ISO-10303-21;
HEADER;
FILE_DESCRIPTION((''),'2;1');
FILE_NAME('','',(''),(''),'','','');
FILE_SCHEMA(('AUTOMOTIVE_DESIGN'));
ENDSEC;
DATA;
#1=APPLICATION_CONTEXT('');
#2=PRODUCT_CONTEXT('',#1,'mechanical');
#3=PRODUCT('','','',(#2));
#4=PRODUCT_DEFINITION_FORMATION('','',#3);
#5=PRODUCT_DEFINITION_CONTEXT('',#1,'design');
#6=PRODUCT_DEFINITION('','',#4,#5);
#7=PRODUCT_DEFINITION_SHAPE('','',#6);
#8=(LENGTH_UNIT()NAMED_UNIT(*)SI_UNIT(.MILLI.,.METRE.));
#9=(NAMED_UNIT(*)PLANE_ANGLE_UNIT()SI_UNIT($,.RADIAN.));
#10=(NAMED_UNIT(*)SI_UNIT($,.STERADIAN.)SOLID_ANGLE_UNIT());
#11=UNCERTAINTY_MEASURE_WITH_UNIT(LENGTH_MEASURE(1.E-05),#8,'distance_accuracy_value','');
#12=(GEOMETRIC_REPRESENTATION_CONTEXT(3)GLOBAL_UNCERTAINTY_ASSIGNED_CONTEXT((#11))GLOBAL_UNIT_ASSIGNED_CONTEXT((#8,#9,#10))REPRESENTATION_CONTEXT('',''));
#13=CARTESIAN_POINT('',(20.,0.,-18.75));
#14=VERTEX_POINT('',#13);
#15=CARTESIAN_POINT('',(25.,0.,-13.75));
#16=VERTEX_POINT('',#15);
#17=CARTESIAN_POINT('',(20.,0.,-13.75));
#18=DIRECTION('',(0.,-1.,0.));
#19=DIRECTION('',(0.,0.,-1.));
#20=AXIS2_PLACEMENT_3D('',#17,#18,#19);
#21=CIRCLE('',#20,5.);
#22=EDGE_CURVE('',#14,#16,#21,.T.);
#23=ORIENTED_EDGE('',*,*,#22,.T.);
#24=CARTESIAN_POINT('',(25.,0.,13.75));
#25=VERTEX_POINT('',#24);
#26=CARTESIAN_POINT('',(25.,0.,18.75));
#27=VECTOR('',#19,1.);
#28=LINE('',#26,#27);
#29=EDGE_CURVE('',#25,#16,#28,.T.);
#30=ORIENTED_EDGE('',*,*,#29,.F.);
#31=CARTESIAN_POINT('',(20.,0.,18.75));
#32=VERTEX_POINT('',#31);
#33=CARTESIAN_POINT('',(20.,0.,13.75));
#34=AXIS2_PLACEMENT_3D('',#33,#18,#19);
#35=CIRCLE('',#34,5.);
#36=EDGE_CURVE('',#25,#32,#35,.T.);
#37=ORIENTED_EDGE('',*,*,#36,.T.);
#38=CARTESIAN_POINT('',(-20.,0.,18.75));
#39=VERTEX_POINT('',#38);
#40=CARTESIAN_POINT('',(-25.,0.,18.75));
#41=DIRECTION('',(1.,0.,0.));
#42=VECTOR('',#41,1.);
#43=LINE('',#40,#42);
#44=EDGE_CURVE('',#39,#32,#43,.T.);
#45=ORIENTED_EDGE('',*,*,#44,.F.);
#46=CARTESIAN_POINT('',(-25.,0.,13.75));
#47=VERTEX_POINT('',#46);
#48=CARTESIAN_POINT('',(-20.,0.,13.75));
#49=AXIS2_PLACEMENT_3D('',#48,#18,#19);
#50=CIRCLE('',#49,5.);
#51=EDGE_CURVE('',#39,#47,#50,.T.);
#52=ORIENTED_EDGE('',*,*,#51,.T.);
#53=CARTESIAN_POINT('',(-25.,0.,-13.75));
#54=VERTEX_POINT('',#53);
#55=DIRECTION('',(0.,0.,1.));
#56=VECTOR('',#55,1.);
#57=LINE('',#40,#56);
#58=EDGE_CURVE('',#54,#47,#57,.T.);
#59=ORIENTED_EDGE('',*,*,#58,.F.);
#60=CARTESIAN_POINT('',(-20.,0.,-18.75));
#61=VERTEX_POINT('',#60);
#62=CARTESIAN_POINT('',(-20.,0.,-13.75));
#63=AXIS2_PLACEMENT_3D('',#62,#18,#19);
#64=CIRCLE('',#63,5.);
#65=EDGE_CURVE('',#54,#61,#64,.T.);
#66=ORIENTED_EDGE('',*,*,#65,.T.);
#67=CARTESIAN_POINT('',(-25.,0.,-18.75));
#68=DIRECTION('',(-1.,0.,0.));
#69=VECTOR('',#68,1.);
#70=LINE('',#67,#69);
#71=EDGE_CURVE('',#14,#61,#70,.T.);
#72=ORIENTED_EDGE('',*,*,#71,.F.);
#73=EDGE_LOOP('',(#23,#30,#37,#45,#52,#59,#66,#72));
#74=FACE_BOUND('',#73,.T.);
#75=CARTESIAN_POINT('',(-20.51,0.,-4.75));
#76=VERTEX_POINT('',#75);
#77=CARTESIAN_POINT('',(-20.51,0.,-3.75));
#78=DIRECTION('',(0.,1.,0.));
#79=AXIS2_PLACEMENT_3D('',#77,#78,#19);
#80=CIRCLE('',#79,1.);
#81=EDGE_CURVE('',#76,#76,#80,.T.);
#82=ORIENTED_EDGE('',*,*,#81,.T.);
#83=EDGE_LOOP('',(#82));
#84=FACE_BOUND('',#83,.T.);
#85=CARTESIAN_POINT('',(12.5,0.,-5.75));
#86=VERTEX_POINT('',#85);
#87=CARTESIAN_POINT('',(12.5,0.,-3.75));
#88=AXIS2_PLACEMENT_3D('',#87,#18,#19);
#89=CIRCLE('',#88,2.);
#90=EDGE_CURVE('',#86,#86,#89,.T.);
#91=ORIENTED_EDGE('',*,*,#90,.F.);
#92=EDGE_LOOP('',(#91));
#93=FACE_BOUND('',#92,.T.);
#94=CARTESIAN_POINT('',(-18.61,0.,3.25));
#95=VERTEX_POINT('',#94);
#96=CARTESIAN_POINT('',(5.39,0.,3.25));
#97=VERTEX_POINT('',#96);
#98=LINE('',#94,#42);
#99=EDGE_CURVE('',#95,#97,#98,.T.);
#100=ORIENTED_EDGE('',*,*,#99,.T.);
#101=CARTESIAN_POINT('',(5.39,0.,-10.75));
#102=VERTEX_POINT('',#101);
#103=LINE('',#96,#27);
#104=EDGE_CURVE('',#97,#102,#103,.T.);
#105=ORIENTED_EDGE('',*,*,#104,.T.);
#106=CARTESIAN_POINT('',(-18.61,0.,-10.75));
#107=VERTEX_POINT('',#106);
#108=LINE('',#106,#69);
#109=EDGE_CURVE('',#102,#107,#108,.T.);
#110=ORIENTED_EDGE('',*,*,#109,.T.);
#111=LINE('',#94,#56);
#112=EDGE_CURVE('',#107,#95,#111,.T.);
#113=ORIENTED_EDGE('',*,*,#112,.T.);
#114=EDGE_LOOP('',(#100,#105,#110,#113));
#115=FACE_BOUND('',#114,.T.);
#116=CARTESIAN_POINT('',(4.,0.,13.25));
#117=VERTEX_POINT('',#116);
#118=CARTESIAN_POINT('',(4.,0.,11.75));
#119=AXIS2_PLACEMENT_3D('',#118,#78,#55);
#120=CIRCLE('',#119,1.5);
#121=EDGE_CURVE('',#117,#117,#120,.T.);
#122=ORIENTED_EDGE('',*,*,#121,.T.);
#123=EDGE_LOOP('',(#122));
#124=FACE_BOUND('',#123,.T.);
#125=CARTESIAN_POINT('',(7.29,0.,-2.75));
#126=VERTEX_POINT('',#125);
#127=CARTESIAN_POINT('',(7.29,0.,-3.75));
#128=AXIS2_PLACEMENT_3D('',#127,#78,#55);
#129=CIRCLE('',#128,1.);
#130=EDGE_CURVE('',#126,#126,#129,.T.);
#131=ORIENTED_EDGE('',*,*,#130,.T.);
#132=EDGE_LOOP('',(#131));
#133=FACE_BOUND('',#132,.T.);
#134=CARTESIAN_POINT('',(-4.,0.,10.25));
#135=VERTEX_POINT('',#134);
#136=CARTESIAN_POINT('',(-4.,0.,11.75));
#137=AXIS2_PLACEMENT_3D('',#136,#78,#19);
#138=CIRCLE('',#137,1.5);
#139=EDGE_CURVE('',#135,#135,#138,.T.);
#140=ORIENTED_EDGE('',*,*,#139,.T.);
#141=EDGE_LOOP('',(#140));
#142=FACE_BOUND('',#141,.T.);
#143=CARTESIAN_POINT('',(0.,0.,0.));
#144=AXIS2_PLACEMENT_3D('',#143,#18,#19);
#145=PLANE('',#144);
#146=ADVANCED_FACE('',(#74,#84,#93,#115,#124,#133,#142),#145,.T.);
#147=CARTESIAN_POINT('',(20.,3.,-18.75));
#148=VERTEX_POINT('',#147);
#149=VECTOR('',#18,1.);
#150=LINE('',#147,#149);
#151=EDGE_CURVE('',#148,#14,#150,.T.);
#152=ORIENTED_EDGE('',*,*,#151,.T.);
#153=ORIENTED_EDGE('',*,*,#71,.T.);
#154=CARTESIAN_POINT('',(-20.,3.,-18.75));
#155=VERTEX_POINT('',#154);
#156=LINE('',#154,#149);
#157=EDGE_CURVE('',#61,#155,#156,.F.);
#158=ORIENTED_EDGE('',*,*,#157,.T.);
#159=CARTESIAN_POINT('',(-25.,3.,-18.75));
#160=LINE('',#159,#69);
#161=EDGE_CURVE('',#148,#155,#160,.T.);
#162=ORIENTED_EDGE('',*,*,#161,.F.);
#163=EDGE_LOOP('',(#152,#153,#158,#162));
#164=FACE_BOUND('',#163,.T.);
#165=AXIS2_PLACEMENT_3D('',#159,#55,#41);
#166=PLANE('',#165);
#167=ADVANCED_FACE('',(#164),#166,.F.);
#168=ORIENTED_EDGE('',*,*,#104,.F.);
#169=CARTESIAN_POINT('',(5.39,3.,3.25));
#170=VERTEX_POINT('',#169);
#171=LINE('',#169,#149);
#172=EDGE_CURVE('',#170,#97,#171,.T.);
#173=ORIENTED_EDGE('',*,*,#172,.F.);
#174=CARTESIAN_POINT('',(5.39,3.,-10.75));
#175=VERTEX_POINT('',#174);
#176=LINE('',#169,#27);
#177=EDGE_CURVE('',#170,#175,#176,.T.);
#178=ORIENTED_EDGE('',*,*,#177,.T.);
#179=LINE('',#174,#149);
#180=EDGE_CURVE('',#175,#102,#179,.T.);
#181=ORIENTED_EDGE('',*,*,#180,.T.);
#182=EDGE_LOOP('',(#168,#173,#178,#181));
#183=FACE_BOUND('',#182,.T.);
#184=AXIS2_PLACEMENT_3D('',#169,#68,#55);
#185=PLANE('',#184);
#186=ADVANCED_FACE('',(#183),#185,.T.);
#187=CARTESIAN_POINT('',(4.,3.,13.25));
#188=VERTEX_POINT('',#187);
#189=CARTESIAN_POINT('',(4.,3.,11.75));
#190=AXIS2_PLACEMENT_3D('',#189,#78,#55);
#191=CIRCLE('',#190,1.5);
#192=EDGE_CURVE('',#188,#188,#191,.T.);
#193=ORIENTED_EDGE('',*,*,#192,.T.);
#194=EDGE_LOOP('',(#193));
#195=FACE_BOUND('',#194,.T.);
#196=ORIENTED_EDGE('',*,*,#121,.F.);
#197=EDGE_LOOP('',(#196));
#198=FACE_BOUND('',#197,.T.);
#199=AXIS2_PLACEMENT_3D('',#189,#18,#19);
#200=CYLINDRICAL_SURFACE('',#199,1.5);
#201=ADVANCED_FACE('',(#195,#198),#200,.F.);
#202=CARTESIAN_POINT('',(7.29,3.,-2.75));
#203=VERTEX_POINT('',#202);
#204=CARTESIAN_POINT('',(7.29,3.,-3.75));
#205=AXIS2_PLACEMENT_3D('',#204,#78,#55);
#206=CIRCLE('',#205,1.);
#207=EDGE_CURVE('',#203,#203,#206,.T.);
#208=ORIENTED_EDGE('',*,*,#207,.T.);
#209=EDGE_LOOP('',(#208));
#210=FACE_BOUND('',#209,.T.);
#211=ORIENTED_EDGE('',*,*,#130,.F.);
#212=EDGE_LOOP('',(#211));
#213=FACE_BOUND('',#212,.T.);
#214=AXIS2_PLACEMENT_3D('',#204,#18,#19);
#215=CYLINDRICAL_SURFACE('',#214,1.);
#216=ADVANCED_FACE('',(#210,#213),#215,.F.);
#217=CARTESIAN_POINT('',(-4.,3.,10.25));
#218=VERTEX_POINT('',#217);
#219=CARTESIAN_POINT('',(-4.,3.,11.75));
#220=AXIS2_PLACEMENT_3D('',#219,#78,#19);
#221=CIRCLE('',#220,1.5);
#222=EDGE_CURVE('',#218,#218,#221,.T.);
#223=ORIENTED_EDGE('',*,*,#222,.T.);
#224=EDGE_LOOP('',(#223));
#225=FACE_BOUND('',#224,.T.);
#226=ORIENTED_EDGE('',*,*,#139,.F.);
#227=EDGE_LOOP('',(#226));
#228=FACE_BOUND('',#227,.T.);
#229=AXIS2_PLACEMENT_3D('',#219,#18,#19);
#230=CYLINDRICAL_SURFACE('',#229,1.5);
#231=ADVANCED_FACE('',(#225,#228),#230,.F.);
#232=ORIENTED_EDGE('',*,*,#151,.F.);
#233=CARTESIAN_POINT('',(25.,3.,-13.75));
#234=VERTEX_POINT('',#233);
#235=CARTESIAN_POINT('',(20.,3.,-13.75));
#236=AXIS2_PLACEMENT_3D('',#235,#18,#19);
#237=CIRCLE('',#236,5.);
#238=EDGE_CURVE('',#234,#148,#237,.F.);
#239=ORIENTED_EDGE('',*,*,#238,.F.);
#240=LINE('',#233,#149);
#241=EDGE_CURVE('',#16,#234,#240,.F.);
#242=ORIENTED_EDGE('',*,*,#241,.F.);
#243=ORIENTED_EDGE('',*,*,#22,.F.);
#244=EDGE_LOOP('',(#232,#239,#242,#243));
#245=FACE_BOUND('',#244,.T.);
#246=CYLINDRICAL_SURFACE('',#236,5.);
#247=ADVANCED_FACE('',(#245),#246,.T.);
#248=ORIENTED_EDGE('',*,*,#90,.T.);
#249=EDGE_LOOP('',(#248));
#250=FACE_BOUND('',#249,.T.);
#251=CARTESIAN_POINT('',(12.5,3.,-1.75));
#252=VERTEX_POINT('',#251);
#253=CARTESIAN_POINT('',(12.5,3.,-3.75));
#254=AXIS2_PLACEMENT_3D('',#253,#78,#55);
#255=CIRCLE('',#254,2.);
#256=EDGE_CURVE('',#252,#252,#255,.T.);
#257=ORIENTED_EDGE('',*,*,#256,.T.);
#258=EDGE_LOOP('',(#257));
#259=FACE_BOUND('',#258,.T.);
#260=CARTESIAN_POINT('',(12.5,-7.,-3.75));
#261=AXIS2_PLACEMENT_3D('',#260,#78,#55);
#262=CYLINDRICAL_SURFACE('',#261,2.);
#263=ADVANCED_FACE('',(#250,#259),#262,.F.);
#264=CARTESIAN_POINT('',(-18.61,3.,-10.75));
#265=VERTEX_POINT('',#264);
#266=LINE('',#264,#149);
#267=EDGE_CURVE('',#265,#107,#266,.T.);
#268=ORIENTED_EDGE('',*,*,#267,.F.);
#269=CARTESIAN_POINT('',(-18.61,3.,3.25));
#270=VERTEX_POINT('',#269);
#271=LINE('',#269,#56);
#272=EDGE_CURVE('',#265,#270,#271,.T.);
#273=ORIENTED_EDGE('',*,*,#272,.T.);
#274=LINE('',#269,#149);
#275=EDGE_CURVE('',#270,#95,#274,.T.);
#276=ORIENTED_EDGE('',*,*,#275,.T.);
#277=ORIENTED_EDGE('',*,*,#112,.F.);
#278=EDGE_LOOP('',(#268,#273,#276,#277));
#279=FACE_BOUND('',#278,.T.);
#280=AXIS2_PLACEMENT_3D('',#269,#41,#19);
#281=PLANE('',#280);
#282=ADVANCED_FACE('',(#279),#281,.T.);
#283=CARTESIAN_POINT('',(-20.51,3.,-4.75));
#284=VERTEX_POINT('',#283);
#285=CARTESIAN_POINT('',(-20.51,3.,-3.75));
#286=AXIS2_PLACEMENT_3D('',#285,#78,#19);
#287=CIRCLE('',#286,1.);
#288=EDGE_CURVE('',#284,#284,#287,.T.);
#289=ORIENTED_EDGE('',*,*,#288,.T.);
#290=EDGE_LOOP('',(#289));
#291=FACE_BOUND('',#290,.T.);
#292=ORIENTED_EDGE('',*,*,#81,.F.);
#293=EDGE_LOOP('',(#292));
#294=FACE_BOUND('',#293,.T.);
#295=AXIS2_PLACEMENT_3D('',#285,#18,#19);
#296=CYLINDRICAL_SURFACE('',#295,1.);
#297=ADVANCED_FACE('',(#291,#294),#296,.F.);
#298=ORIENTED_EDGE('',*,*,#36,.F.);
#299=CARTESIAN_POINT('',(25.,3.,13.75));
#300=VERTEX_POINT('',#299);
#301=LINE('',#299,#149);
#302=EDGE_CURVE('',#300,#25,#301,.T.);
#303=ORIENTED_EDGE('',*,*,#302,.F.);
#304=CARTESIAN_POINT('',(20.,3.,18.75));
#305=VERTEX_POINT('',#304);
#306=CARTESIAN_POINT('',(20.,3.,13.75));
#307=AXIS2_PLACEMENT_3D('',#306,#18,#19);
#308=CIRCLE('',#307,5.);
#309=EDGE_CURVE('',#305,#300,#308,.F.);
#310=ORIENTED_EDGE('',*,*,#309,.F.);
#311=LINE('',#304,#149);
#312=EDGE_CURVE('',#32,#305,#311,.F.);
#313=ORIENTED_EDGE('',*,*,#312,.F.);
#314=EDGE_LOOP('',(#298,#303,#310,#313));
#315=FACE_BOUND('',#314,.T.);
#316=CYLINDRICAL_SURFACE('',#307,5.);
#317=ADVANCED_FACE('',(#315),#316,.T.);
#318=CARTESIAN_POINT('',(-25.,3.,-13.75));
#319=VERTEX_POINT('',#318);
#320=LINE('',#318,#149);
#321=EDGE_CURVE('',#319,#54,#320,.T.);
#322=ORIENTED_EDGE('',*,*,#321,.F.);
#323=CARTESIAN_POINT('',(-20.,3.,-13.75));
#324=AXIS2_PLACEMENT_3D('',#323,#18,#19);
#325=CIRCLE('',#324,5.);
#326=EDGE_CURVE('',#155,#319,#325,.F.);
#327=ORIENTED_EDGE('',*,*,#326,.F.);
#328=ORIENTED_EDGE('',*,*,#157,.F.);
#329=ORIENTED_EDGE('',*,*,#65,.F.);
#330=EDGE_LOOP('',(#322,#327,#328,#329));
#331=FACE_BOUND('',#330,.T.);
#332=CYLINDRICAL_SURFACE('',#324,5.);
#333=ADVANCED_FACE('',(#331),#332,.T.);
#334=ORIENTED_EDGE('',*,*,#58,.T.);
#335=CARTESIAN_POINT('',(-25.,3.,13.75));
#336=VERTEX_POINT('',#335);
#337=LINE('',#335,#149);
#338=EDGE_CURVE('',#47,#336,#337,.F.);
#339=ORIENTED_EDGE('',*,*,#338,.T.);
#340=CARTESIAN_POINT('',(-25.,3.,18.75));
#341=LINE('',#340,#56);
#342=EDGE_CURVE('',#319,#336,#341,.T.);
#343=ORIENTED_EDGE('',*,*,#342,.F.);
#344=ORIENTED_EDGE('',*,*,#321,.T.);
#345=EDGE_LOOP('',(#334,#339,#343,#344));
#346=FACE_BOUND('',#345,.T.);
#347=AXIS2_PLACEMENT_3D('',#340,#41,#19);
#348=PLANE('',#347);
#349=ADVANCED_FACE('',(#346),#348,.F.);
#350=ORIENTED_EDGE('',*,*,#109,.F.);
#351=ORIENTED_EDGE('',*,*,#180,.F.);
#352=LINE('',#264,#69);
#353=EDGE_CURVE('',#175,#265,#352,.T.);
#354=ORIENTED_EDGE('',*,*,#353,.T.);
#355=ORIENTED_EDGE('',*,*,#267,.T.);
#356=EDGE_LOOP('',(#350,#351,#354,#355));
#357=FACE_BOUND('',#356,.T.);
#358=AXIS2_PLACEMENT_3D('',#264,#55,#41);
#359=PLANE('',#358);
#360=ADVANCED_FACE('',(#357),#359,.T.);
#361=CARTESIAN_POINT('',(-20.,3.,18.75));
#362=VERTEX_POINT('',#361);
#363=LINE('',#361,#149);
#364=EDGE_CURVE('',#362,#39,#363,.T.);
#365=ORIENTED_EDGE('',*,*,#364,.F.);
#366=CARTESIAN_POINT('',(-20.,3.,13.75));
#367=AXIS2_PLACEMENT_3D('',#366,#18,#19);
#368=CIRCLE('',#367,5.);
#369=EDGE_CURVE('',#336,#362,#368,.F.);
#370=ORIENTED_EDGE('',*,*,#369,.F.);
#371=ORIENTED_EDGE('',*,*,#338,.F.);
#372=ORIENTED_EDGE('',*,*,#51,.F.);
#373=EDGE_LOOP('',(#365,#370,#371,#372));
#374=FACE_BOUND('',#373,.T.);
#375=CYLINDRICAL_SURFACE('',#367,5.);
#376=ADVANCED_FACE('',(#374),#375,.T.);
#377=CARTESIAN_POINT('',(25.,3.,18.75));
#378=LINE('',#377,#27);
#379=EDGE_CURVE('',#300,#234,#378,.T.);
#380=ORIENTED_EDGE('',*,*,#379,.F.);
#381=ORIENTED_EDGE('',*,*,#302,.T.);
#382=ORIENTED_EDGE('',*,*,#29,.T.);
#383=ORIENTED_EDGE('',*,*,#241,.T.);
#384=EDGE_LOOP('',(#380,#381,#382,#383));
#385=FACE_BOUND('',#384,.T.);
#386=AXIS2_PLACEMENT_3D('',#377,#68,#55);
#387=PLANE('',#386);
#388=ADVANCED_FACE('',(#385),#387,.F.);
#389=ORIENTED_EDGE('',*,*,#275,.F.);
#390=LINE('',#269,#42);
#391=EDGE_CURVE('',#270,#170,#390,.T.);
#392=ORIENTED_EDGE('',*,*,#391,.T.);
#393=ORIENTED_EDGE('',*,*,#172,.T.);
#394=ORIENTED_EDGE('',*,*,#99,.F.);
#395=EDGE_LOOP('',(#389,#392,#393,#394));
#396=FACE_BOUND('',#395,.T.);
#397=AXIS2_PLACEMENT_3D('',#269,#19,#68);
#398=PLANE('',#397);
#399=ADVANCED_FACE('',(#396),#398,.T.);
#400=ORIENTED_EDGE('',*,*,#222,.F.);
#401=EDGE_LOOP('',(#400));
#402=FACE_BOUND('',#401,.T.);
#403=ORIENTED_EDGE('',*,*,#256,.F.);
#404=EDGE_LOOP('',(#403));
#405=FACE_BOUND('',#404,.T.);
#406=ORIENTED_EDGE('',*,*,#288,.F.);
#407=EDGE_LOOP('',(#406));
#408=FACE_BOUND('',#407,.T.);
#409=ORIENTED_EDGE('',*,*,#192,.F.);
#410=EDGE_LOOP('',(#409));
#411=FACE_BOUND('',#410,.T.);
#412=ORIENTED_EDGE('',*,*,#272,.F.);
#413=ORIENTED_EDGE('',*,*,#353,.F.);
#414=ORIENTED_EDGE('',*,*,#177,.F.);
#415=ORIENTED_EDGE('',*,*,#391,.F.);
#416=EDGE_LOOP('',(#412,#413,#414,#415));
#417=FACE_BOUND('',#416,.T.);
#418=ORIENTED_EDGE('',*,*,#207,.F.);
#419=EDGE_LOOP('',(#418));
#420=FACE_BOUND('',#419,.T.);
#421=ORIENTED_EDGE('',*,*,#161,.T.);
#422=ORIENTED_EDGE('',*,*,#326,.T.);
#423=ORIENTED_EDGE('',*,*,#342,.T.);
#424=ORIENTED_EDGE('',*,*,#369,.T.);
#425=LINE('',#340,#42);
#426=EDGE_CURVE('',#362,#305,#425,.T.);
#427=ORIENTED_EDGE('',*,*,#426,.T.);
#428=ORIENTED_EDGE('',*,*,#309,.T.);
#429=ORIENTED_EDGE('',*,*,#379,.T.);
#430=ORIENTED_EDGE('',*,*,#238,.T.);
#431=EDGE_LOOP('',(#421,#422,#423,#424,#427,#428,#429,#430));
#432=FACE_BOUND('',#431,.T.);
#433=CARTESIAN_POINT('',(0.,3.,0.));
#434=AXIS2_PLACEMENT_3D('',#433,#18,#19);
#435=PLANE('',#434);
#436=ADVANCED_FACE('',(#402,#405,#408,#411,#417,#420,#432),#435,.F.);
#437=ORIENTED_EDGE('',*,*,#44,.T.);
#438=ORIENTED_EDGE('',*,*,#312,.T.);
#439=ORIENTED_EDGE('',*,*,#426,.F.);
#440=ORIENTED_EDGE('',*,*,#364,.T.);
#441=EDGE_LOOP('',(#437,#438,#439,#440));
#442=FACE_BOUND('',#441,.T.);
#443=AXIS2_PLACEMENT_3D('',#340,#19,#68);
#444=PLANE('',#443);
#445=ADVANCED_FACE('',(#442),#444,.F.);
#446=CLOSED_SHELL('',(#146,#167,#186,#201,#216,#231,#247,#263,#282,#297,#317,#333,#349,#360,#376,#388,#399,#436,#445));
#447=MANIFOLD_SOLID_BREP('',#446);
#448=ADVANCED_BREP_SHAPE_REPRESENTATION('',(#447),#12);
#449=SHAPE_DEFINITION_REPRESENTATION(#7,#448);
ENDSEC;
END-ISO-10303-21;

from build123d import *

# Parameters (mm, degrees)
SKETCH_1_W          = 50
SKETCH_1_H          = 37.5
SKETCH_1_R          = 1.5
SKETCH_1_R_2        = 1
SKETCH_1_W_2        = 24
SKETCH_1_H_2        = 14
EXTRUDE_1_DEPTH     = 3
FILLET_1_R          = 5
SKETCH_2_R          = 2
CUT_EXTRUDE_1_DEPTH = 10


with BuildPart() as part:
    # 草图1 → 凸台-拉伸1 (new body)
    with BuildSketch(Plane(origin=(0, 0, 0), x_dir=(1, 0, 0), z_dir=(0, 1, 0))):
        Rectangle(SKETCH_1_W, SKETCH_1_H)
        with Locations(Location((4, -11.75, 0), (0, 0, 270))):
            Circle(SKETCH_1_R, mode=Mode.SUBTRACT)
        with Locations(Location((-4, -11.75, 0), (0, 0, 90))):
            Circle(SKETCH_1_R, mode=Mode.SUBTRACT)
        with Locations(Location((7.29, 3.75, 0), (0, 0, 270))):
            Circle(SKETCH_1_R_2, mode=Mode.SUBTRACT)
        with Locations(Location((-20.51, 3.75, 0), (0, 0, 90))):
            Circle(SKETCH_1_R_2, mode=Mode.SUBTRACT)
        with Locations((-6.61, 3.75)):
            Rectangle(SKETCH_1_W_2, SKETCH_1_H_2, mode=Mode.SUBTRACT)
    extrude(amount=EXTRUDE_1_DEPTH)

    # 圆角1
    fillet_1_edges = [part.edges().sort_by_distance(p)[0] for p in [
        (25, 1.5, 18.75),
        (-25, 1.5, 18.75),
        (-25, 1.5, -18.75),
        (25, 1.5, -18.75),
    ]]
    fillet(fillet_1_edges, radius=FILLET_1_R)

    # 草图2 → 切除-拉伸1 (cut)
    with BuildSketch(Plane(origin=(0, 3, 0), x_dir=(1, 0, 0), z_dir=(0, 1, 0))):
        with Locations(Location((12.5, 3.75, 0), (0, 0, 270))):
            Circle(SKETCH_2_R)
    extrude(amount=-CUT_EXTRUDE_1_DEPTH, mode=Mode.SUBTRACT)


solid = part.part
